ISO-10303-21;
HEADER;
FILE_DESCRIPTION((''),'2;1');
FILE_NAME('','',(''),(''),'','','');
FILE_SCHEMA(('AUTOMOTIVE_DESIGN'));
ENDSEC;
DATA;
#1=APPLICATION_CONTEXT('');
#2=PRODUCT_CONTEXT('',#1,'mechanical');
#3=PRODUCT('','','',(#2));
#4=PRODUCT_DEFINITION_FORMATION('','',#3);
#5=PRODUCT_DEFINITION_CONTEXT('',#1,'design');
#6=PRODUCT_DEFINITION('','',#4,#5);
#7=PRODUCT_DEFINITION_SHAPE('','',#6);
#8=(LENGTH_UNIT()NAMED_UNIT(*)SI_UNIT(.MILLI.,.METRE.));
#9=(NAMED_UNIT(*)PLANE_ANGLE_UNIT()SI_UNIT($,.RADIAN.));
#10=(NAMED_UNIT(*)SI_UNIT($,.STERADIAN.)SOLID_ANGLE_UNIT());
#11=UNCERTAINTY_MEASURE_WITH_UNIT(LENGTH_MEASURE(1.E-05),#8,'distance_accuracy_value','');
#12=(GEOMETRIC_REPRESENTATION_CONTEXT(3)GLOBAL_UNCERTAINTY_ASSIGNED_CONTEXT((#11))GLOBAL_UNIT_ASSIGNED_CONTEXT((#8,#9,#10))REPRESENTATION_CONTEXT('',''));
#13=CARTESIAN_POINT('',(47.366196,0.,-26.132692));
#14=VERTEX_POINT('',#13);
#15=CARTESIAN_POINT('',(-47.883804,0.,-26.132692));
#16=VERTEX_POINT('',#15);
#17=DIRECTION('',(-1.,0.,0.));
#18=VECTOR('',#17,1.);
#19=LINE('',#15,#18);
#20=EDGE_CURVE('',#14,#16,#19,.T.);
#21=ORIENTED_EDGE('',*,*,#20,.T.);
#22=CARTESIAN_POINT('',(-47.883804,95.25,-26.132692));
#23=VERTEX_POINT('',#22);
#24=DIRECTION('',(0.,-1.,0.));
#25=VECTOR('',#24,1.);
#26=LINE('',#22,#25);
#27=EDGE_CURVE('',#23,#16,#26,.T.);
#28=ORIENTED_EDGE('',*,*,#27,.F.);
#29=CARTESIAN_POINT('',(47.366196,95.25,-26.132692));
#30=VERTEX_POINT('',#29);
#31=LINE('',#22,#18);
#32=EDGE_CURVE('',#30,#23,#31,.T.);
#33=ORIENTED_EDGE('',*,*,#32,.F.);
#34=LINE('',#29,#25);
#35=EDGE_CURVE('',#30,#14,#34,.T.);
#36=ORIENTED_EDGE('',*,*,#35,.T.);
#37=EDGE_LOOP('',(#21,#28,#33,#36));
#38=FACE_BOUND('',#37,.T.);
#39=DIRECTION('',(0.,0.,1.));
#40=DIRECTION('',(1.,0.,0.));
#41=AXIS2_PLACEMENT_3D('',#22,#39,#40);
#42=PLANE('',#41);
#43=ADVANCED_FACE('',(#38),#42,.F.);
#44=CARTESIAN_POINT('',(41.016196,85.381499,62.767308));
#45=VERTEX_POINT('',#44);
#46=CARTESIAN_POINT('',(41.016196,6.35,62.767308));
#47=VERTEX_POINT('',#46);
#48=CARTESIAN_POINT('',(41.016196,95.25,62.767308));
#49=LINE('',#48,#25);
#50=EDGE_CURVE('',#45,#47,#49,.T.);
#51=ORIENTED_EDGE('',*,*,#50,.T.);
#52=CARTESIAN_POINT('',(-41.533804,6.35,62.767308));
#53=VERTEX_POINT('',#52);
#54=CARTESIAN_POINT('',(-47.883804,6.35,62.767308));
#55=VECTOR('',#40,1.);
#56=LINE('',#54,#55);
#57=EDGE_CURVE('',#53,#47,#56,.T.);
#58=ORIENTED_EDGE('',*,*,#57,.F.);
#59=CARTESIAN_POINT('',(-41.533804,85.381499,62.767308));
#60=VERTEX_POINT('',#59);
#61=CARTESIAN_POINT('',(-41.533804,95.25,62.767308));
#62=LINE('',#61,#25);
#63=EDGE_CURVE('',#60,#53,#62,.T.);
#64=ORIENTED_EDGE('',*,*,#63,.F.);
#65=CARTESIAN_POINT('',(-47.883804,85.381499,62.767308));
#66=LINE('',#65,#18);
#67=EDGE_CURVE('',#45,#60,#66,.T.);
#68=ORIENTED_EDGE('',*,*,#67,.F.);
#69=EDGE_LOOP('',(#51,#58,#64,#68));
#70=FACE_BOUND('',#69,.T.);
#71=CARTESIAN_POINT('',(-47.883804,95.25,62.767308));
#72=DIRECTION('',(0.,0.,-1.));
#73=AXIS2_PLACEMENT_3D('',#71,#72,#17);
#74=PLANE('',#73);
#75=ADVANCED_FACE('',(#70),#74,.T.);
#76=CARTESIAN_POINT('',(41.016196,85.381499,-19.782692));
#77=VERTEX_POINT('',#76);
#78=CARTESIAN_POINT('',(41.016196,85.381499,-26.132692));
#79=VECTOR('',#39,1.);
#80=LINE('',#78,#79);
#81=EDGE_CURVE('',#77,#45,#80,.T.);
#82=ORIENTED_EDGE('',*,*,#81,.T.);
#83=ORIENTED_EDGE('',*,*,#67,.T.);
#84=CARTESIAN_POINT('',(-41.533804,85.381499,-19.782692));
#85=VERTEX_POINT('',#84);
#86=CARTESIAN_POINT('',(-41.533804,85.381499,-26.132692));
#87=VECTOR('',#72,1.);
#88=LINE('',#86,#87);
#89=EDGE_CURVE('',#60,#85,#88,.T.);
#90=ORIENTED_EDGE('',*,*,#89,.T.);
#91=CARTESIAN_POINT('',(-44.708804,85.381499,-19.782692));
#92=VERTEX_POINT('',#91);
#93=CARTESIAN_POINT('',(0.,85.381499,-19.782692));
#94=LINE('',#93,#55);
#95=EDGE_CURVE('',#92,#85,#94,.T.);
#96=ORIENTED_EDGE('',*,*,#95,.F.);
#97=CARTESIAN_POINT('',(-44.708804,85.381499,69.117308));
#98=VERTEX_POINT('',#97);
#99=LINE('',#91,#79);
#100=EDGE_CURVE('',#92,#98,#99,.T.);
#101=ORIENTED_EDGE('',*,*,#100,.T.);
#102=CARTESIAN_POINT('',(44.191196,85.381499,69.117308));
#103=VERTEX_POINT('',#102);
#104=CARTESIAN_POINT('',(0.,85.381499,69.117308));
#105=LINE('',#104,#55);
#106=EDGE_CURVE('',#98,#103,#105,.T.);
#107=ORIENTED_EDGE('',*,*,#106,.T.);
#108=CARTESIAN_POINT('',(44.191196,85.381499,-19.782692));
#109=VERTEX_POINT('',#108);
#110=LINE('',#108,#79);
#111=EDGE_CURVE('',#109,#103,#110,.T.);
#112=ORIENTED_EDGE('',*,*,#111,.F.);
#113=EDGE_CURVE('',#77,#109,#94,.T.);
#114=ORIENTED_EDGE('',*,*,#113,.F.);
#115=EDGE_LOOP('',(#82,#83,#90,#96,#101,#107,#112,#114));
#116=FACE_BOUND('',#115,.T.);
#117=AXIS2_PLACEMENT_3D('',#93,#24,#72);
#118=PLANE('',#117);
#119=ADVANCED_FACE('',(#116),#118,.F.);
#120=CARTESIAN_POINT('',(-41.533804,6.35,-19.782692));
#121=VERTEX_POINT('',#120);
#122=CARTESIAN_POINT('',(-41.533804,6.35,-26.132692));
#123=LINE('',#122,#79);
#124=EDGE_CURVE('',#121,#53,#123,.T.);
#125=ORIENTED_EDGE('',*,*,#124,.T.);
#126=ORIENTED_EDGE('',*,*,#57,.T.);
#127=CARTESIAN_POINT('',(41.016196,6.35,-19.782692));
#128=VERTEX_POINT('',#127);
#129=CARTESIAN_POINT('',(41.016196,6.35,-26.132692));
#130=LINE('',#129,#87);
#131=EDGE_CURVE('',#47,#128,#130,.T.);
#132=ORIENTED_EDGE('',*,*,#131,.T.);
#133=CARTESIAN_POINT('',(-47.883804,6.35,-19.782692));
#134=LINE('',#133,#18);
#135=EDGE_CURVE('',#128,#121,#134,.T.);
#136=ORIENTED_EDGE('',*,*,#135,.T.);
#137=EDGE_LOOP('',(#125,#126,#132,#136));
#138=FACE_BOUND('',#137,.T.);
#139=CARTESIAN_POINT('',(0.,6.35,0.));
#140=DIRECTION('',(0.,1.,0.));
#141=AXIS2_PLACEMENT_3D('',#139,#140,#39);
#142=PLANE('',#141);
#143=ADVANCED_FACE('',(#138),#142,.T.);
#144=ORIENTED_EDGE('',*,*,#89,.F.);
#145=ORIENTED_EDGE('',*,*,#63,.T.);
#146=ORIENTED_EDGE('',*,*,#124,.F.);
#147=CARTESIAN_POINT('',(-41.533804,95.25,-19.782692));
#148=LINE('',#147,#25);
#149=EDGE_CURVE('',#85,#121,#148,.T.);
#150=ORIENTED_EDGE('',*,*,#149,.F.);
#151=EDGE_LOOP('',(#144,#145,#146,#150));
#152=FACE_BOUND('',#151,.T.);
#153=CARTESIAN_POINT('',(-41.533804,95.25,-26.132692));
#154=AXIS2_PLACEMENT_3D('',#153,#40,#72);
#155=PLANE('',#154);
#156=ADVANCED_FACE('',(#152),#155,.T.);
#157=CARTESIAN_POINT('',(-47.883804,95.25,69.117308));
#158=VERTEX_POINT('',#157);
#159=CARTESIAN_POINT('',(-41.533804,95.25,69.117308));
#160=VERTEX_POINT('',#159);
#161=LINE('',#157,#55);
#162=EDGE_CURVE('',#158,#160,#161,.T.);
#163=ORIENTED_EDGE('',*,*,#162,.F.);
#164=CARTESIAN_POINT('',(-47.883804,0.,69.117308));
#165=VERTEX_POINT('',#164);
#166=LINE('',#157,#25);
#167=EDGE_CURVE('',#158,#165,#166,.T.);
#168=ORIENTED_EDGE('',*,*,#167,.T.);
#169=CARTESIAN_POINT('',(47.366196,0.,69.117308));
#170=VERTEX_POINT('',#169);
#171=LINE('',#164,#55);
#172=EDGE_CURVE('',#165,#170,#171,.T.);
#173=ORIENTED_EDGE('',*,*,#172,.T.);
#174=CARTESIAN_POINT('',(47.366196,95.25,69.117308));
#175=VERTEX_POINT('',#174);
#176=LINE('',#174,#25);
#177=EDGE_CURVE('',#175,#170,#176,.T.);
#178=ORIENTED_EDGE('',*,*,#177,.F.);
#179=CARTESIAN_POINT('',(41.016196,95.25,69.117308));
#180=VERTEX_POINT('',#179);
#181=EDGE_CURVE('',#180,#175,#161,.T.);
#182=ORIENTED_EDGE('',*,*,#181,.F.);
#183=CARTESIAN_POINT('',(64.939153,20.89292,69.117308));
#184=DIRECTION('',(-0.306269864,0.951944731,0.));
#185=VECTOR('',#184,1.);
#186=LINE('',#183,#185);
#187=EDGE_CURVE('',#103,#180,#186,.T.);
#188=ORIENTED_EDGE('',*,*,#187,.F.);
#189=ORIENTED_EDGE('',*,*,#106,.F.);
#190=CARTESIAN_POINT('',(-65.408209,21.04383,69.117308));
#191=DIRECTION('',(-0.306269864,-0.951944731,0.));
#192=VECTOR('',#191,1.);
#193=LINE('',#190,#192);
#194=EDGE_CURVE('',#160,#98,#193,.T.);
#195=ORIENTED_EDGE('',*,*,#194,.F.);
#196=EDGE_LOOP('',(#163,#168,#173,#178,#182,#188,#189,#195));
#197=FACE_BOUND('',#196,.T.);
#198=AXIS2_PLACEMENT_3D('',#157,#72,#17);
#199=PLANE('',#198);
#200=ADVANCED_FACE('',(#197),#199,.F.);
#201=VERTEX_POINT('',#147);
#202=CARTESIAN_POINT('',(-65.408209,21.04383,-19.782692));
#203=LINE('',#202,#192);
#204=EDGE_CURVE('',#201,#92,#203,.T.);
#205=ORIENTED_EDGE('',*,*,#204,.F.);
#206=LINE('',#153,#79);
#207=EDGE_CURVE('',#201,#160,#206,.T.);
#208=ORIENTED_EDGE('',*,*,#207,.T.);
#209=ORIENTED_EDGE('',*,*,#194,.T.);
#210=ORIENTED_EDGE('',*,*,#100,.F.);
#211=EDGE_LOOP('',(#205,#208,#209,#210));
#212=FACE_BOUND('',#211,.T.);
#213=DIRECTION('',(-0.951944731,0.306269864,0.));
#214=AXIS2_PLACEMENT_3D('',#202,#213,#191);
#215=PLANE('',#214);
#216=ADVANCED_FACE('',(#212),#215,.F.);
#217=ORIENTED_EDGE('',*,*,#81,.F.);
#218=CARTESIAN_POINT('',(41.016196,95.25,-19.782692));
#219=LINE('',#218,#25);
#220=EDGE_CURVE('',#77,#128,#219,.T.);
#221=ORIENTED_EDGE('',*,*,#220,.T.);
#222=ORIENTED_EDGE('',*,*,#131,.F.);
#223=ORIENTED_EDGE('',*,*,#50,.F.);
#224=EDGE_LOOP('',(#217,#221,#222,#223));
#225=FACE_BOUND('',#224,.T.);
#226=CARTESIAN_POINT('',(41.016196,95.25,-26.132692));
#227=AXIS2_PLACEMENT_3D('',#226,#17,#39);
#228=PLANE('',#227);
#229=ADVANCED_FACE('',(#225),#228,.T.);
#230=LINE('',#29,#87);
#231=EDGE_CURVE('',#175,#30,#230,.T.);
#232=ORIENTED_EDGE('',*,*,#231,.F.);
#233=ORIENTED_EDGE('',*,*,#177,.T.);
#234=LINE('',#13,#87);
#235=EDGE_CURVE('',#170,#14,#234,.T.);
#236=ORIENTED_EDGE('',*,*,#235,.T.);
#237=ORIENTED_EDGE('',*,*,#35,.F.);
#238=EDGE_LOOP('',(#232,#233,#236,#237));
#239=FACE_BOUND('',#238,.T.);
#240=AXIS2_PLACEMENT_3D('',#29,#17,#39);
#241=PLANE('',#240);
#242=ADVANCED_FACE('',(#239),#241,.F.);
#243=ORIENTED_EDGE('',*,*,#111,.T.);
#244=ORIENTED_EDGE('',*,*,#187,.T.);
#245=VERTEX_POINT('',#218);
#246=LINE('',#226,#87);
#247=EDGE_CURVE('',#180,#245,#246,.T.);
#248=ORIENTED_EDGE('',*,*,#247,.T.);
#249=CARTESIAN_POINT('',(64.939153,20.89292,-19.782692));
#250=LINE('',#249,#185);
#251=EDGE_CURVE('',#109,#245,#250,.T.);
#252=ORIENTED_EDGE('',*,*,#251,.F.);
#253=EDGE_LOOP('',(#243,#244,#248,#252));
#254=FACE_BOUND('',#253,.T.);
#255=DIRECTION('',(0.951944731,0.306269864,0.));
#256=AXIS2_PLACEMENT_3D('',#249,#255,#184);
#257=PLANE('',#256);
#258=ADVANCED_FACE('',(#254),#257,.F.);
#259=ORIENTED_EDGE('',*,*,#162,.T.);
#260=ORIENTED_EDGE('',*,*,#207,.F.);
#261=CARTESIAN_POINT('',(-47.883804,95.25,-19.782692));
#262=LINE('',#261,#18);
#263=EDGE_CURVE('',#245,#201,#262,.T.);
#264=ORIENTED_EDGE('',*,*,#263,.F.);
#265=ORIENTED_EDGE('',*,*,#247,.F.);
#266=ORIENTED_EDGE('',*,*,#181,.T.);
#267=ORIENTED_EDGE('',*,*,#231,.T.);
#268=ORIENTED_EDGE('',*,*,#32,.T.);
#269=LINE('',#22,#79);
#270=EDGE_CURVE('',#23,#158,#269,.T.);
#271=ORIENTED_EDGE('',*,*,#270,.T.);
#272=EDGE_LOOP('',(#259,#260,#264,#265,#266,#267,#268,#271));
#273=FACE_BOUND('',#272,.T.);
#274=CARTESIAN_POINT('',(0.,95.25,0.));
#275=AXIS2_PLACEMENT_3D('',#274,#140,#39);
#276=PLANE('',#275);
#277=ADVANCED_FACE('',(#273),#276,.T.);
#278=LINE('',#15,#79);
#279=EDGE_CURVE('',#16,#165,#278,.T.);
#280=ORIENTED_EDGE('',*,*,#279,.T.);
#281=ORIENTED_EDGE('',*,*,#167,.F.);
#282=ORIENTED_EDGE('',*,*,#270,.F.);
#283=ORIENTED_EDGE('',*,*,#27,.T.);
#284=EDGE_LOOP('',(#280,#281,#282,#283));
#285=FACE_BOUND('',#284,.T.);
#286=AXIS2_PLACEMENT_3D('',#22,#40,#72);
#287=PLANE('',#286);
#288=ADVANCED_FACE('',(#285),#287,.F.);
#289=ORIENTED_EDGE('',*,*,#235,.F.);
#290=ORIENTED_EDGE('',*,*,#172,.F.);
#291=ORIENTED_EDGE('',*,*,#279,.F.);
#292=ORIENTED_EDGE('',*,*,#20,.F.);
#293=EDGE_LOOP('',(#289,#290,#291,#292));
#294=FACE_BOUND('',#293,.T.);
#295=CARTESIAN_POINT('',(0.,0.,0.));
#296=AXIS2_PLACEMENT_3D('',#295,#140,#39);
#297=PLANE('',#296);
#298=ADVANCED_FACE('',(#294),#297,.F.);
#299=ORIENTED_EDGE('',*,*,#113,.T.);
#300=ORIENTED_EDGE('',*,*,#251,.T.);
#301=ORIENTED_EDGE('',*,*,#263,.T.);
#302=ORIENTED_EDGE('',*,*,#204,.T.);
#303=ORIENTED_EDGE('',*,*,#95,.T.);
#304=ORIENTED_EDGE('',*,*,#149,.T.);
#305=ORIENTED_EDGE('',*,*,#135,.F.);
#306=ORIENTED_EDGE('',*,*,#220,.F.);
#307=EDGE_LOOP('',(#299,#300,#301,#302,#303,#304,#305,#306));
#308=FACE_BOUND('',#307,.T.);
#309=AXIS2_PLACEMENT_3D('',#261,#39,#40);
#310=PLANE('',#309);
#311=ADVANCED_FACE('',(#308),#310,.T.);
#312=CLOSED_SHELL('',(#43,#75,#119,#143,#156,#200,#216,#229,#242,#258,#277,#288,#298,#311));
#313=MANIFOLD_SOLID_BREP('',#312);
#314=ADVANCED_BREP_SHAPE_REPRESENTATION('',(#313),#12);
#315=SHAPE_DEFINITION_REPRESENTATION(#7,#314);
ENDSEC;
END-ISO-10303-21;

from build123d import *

# Parameters (mm, degrees)
SKETCH1_W           = 95.25
SKETCH1_H           = 95.25
BOSS_EXTRUDE1_DEPTH = 95.25
SHELL1_T            = -6.35
CUT_EXTRUDE1_DEPTH  = 88.9


with BuildPart() as part:
    # Sketch1 → Boss-Extrude1 (new body)
    with BuildSketch(Plane(origin=(0, 0, 0), x_dir=(1, 0, 0), z_dir=(0, 1, 0))):
        with Locations((-0.25880421, -21.492307692)):
            Rectangle(SKETCH1_W, SKETCH1_H)
    extrude(amount=BOSS_EXTRUDE1_DEPTH)

    # Shell1
    shell1_openings = [part.faces().sort_by_distance(p)[0] for p in [
        (-0.25880421, 95.25, 21.492307692),
    ]]
    offset(amount=SHELL1_T, openings=shell1_openings, kind=Kind.INTERSECTION)

    # Sketch2 → Cut-Extrude1 (cut)
    with BuildSketch(Plane.XY.offset(69.117307692)):
        Polygon((41.01619579, 95.25), (-41.53380421, 95.25), (-44.70880421, 85.381498792), (44.19119579, 85.381498792), align=None)
    extrude(amount=-CUT_EXTRUDE1_DEPTH, mode=Mode.SUBTRACT)


solid = part.part
